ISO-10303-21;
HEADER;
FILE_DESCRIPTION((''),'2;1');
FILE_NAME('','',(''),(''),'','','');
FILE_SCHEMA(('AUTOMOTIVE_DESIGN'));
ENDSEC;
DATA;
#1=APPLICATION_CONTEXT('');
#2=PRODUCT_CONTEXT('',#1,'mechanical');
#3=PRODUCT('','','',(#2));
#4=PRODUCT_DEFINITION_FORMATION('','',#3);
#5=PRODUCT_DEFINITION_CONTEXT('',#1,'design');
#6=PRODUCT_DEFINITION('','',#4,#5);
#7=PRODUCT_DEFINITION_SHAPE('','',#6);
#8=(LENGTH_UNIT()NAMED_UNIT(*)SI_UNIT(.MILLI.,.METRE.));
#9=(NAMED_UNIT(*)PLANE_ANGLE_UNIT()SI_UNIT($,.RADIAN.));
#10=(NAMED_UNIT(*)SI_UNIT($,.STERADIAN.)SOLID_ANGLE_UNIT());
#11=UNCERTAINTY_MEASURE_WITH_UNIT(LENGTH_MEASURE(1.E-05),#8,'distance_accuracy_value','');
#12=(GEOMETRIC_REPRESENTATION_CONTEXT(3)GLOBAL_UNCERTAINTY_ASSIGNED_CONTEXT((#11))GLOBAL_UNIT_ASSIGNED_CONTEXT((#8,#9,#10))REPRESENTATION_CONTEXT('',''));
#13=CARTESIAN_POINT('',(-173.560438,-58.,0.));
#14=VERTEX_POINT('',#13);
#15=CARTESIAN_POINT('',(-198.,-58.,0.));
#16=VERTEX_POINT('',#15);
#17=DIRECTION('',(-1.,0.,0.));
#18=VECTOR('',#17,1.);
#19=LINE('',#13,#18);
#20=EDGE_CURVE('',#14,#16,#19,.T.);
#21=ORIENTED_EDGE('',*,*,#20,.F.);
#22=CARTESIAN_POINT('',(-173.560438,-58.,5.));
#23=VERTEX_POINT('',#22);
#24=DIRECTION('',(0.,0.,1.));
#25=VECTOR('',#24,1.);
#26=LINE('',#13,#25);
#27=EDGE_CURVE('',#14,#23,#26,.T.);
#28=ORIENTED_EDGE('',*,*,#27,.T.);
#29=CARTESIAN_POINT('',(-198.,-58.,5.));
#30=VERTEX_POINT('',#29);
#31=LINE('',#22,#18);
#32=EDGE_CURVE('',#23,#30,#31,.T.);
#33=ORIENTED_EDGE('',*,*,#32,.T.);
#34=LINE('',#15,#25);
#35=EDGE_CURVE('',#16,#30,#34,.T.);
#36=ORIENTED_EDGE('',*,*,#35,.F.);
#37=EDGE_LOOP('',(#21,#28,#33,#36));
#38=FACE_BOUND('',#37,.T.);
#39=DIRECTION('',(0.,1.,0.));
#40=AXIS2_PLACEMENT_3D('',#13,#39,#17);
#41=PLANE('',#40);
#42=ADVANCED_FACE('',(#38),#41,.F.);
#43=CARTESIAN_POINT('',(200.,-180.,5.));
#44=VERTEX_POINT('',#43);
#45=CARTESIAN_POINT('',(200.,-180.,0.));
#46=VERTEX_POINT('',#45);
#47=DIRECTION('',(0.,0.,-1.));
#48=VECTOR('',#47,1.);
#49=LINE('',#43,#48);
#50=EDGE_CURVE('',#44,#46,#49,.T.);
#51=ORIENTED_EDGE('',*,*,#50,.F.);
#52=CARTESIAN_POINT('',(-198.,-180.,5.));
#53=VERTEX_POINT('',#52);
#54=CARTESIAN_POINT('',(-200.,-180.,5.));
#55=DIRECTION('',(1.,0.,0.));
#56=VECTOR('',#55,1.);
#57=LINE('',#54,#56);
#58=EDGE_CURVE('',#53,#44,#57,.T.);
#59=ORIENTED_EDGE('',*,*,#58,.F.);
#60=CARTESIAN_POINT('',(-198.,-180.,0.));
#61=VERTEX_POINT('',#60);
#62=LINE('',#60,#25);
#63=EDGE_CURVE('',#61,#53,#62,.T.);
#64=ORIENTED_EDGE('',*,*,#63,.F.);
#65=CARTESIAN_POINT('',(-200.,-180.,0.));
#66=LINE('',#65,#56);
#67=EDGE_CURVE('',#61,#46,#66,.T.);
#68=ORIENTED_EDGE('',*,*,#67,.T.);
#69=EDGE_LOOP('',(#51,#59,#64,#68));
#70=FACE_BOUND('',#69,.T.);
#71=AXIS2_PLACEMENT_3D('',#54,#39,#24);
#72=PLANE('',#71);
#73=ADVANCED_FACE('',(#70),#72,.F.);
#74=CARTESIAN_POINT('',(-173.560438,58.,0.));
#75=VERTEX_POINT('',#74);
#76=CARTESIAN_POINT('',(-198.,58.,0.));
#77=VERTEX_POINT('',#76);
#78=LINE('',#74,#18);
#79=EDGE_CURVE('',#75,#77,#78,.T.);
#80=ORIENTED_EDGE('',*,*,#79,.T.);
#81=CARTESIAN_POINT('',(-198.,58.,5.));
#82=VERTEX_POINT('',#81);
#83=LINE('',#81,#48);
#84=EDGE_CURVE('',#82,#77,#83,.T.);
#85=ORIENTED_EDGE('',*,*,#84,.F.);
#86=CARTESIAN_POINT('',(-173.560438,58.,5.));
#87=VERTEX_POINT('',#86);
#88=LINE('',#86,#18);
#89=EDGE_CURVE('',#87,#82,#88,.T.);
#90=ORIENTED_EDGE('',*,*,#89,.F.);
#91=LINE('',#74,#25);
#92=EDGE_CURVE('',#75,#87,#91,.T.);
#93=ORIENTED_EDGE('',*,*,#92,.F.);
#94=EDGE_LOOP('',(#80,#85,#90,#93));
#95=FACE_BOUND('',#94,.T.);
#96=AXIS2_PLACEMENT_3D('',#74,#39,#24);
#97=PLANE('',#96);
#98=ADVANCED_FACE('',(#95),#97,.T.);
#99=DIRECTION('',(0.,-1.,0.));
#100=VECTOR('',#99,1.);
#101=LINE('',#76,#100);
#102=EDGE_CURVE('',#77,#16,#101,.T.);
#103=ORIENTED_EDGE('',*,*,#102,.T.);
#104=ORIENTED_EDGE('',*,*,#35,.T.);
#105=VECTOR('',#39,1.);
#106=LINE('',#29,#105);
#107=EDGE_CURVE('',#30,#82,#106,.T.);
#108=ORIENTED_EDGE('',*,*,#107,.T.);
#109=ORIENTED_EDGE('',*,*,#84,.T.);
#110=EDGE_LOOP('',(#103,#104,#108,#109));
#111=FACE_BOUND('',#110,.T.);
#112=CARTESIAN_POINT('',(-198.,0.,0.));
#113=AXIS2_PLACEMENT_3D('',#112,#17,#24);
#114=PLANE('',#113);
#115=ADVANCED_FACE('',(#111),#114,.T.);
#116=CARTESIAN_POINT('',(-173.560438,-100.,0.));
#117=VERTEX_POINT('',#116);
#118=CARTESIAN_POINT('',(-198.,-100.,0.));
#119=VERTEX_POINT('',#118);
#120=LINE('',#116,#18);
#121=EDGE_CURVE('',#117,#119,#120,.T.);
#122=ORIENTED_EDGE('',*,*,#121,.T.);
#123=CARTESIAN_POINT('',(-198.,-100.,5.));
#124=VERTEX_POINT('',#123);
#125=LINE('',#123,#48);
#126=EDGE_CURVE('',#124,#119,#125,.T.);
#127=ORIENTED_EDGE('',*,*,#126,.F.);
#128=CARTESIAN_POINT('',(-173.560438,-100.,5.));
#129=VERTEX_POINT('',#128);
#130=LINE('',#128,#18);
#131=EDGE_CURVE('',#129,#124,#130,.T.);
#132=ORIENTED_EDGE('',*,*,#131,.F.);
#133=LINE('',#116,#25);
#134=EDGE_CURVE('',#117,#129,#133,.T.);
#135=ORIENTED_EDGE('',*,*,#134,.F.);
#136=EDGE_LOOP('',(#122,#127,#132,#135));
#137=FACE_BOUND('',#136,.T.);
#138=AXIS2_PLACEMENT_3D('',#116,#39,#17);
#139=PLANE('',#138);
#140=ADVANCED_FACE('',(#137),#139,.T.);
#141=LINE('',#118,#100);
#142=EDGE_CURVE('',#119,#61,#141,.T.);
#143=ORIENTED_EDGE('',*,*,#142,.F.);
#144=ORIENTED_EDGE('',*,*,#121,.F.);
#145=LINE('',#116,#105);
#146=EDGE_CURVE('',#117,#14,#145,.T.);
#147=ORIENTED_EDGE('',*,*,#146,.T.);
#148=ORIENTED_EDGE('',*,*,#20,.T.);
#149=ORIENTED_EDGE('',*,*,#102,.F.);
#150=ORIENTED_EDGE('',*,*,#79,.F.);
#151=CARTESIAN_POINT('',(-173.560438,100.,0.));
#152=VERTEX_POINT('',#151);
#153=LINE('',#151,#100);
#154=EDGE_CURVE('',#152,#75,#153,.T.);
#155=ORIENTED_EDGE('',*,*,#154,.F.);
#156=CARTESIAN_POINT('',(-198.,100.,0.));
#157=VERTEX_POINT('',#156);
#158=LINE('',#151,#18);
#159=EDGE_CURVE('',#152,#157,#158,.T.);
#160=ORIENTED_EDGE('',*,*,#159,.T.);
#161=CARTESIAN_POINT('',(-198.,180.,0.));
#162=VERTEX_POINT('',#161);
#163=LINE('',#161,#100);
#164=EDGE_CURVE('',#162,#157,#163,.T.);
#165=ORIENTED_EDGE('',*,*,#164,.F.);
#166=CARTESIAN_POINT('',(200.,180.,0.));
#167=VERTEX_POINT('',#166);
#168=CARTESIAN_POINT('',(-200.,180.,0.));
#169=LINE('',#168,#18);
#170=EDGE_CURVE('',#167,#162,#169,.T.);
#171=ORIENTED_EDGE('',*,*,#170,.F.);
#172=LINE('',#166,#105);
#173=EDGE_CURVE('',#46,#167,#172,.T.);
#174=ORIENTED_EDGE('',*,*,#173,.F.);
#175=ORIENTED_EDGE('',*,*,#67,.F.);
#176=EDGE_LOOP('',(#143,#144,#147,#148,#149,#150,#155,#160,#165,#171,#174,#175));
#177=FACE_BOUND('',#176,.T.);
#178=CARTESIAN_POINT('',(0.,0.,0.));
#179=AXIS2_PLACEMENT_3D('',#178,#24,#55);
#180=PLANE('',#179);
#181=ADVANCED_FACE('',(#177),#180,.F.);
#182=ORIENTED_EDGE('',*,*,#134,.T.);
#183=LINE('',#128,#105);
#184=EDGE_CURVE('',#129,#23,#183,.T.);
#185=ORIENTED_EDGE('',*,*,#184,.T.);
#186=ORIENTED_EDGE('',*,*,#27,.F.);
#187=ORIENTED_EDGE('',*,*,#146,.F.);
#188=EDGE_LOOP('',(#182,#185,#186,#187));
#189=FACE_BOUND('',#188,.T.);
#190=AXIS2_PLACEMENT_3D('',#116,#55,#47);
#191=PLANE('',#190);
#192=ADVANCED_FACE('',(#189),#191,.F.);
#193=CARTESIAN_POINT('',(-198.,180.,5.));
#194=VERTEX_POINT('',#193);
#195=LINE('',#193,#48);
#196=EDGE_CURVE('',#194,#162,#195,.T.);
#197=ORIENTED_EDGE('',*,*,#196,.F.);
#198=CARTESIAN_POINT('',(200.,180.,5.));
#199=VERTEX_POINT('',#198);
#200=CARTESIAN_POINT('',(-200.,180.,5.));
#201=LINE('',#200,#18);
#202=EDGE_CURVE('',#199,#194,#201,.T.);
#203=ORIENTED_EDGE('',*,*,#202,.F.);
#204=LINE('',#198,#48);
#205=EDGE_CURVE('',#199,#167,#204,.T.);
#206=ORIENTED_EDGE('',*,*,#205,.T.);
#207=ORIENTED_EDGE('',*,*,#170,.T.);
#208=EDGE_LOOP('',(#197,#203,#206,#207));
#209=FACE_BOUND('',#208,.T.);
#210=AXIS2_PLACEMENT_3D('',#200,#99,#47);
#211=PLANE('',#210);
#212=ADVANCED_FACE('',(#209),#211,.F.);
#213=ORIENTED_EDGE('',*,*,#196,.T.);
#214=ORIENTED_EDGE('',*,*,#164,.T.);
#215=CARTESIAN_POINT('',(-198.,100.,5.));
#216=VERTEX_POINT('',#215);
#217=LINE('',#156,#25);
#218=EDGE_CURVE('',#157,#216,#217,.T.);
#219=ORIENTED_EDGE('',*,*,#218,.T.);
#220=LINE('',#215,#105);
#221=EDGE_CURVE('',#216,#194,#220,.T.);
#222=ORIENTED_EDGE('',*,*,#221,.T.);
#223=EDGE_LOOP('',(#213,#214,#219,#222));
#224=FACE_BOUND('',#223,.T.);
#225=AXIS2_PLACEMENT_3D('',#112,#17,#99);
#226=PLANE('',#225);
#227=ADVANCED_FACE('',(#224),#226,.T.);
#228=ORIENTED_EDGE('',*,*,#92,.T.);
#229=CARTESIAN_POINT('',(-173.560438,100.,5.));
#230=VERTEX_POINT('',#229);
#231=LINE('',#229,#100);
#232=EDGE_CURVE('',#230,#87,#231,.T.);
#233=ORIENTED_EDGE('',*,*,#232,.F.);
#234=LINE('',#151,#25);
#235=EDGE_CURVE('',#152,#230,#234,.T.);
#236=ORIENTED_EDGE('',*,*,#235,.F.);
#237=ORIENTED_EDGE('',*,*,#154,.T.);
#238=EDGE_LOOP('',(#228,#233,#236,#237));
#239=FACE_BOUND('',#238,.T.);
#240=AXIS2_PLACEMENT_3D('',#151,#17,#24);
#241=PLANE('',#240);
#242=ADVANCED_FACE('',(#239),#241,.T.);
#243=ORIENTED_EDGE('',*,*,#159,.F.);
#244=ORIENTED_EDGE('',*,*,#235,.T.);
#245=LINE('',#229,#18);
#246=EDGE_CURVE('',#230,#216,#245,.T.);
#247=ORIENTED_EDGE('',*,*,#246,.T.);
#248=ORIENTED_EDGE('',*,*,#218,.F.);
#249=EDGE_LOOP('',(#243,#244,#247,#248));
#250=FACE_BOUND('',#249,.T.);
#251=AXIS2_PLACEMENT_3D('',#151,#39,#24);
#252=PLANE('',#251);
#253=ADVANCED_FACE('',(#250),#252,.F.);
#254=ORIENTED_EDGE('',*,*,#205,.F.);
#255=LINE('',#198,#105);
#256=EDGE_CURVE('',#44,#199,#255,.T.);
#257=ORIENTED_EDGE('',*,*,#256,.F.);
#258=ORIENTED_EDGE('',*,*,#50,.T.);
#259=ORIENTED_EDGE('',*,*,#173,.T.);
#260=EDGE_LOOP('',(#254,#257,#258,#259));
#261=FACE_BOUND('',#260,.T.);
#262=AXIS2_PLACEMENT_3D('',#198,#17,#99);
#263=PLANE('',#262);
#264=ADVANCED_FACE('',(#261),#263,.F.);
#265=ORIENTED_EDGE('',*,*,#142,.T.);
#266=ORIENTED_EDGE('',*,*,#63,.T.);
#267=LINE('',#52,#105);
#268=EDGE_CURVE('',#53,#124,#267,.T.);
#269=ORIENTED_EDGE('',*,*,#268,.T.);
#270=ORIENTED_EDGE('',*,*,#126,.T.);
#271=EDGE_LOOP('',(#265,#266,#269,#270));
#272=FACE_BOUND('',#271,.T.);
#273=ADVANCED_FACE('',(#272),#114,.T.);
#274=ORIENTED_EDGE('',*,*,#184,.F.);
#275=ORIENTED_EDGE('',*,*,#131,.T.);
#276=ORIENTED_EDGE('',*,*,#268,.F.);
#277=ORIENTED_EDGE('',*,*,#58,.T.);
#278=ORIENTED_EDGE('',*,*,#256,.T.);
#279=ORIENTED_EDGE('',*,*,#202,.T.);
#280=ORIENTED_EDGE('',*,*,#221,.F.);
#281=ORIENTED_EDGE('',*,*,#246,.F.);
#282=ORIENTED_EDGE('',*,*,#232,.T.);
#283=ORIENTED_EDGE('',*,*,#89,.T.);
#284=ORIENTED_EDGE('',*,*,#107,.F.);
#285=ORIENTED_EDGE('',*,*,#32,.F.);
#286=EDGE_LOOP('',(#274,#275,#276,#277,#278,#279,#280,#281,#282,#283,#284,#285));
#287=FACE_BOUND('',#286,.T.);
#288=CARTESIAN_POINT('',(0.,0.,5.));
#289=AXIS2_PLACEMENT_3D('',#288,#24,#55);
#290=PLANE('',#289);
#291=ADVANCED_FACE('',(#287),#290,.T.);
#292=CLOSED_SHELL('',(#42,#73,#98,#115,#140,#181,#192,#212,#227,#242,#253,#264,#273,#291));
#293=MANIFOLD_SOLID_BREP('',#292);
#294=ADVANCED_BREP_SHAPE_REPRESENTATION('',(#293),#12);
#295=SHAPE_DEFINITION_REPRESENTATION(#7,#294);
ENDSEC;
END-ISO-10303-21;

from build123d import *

# Parameters (mm, degrees)
ESQUISSE1_W             = 400
ESQUISSE1_H             = 360
BOSS_EXTRU_1_DEPTH      = 5
ESQUISSE2_W             = 26.439561959
ESQUISSE2_H             = 42
ENL_V_MAT_EXTRU_1_DEPTH = 5
ESQUISSE3_W             = 5
ESQUISSE3_H             = 116
ESQUISSE3_H_2           = 80
ENL_V_MAT_EXTRU_2_DEPTH = 2


with BuildPart() as part:
    # Esquisse1 → Boss.-Extru.1 (new body)
    with BuildSketch(Plane.XY):
        Rectangle(ESQUISSE1_W, ESQUISSE1_H)
    extrude(amount=BOSS_EXTRU_1_DEPTH)

    # Esquisse2 → Enlèv. mat.-Extru.1 (cut)
    with BuildSketch(Plane.XY.offset(5)):
        with Locations((-186.78021902, 79)):
            Rectangle(ESQUISSE2_W, ESQUISSE2_H)
        with Locations((-186.78021902, -79)):
            Rectangle(ESQUISSE2_W, ESQUISSE2_H)
    extrude(amount=-ENL_V_MAT_EXTRU_1_DEPTH, mode=Mode.SUBTRACT)

    # Esquisse3 → Enlèv. mat.-Extru.2 (cut)
    with BuildSketch(Plane.ZY.offset(200)):
        with Locations((2.5, 0)):
            Rectangle(ESQUISSE3_W, ESQUISSE3_H)
        with Locations((2.5, 140)):
            Rectangle(ESQUISSE3_W, ESQUISSE3_H_2)
        with Locations((2.5, -140)):
            Rectangle(ESQUISSE3_W, ESQUISSE3_H_2)
    extrude(amount=-ENL_V_MAT_EXTRU_2_DEPTH, mode=Mode.SUBTRACT)


solid = part.part
